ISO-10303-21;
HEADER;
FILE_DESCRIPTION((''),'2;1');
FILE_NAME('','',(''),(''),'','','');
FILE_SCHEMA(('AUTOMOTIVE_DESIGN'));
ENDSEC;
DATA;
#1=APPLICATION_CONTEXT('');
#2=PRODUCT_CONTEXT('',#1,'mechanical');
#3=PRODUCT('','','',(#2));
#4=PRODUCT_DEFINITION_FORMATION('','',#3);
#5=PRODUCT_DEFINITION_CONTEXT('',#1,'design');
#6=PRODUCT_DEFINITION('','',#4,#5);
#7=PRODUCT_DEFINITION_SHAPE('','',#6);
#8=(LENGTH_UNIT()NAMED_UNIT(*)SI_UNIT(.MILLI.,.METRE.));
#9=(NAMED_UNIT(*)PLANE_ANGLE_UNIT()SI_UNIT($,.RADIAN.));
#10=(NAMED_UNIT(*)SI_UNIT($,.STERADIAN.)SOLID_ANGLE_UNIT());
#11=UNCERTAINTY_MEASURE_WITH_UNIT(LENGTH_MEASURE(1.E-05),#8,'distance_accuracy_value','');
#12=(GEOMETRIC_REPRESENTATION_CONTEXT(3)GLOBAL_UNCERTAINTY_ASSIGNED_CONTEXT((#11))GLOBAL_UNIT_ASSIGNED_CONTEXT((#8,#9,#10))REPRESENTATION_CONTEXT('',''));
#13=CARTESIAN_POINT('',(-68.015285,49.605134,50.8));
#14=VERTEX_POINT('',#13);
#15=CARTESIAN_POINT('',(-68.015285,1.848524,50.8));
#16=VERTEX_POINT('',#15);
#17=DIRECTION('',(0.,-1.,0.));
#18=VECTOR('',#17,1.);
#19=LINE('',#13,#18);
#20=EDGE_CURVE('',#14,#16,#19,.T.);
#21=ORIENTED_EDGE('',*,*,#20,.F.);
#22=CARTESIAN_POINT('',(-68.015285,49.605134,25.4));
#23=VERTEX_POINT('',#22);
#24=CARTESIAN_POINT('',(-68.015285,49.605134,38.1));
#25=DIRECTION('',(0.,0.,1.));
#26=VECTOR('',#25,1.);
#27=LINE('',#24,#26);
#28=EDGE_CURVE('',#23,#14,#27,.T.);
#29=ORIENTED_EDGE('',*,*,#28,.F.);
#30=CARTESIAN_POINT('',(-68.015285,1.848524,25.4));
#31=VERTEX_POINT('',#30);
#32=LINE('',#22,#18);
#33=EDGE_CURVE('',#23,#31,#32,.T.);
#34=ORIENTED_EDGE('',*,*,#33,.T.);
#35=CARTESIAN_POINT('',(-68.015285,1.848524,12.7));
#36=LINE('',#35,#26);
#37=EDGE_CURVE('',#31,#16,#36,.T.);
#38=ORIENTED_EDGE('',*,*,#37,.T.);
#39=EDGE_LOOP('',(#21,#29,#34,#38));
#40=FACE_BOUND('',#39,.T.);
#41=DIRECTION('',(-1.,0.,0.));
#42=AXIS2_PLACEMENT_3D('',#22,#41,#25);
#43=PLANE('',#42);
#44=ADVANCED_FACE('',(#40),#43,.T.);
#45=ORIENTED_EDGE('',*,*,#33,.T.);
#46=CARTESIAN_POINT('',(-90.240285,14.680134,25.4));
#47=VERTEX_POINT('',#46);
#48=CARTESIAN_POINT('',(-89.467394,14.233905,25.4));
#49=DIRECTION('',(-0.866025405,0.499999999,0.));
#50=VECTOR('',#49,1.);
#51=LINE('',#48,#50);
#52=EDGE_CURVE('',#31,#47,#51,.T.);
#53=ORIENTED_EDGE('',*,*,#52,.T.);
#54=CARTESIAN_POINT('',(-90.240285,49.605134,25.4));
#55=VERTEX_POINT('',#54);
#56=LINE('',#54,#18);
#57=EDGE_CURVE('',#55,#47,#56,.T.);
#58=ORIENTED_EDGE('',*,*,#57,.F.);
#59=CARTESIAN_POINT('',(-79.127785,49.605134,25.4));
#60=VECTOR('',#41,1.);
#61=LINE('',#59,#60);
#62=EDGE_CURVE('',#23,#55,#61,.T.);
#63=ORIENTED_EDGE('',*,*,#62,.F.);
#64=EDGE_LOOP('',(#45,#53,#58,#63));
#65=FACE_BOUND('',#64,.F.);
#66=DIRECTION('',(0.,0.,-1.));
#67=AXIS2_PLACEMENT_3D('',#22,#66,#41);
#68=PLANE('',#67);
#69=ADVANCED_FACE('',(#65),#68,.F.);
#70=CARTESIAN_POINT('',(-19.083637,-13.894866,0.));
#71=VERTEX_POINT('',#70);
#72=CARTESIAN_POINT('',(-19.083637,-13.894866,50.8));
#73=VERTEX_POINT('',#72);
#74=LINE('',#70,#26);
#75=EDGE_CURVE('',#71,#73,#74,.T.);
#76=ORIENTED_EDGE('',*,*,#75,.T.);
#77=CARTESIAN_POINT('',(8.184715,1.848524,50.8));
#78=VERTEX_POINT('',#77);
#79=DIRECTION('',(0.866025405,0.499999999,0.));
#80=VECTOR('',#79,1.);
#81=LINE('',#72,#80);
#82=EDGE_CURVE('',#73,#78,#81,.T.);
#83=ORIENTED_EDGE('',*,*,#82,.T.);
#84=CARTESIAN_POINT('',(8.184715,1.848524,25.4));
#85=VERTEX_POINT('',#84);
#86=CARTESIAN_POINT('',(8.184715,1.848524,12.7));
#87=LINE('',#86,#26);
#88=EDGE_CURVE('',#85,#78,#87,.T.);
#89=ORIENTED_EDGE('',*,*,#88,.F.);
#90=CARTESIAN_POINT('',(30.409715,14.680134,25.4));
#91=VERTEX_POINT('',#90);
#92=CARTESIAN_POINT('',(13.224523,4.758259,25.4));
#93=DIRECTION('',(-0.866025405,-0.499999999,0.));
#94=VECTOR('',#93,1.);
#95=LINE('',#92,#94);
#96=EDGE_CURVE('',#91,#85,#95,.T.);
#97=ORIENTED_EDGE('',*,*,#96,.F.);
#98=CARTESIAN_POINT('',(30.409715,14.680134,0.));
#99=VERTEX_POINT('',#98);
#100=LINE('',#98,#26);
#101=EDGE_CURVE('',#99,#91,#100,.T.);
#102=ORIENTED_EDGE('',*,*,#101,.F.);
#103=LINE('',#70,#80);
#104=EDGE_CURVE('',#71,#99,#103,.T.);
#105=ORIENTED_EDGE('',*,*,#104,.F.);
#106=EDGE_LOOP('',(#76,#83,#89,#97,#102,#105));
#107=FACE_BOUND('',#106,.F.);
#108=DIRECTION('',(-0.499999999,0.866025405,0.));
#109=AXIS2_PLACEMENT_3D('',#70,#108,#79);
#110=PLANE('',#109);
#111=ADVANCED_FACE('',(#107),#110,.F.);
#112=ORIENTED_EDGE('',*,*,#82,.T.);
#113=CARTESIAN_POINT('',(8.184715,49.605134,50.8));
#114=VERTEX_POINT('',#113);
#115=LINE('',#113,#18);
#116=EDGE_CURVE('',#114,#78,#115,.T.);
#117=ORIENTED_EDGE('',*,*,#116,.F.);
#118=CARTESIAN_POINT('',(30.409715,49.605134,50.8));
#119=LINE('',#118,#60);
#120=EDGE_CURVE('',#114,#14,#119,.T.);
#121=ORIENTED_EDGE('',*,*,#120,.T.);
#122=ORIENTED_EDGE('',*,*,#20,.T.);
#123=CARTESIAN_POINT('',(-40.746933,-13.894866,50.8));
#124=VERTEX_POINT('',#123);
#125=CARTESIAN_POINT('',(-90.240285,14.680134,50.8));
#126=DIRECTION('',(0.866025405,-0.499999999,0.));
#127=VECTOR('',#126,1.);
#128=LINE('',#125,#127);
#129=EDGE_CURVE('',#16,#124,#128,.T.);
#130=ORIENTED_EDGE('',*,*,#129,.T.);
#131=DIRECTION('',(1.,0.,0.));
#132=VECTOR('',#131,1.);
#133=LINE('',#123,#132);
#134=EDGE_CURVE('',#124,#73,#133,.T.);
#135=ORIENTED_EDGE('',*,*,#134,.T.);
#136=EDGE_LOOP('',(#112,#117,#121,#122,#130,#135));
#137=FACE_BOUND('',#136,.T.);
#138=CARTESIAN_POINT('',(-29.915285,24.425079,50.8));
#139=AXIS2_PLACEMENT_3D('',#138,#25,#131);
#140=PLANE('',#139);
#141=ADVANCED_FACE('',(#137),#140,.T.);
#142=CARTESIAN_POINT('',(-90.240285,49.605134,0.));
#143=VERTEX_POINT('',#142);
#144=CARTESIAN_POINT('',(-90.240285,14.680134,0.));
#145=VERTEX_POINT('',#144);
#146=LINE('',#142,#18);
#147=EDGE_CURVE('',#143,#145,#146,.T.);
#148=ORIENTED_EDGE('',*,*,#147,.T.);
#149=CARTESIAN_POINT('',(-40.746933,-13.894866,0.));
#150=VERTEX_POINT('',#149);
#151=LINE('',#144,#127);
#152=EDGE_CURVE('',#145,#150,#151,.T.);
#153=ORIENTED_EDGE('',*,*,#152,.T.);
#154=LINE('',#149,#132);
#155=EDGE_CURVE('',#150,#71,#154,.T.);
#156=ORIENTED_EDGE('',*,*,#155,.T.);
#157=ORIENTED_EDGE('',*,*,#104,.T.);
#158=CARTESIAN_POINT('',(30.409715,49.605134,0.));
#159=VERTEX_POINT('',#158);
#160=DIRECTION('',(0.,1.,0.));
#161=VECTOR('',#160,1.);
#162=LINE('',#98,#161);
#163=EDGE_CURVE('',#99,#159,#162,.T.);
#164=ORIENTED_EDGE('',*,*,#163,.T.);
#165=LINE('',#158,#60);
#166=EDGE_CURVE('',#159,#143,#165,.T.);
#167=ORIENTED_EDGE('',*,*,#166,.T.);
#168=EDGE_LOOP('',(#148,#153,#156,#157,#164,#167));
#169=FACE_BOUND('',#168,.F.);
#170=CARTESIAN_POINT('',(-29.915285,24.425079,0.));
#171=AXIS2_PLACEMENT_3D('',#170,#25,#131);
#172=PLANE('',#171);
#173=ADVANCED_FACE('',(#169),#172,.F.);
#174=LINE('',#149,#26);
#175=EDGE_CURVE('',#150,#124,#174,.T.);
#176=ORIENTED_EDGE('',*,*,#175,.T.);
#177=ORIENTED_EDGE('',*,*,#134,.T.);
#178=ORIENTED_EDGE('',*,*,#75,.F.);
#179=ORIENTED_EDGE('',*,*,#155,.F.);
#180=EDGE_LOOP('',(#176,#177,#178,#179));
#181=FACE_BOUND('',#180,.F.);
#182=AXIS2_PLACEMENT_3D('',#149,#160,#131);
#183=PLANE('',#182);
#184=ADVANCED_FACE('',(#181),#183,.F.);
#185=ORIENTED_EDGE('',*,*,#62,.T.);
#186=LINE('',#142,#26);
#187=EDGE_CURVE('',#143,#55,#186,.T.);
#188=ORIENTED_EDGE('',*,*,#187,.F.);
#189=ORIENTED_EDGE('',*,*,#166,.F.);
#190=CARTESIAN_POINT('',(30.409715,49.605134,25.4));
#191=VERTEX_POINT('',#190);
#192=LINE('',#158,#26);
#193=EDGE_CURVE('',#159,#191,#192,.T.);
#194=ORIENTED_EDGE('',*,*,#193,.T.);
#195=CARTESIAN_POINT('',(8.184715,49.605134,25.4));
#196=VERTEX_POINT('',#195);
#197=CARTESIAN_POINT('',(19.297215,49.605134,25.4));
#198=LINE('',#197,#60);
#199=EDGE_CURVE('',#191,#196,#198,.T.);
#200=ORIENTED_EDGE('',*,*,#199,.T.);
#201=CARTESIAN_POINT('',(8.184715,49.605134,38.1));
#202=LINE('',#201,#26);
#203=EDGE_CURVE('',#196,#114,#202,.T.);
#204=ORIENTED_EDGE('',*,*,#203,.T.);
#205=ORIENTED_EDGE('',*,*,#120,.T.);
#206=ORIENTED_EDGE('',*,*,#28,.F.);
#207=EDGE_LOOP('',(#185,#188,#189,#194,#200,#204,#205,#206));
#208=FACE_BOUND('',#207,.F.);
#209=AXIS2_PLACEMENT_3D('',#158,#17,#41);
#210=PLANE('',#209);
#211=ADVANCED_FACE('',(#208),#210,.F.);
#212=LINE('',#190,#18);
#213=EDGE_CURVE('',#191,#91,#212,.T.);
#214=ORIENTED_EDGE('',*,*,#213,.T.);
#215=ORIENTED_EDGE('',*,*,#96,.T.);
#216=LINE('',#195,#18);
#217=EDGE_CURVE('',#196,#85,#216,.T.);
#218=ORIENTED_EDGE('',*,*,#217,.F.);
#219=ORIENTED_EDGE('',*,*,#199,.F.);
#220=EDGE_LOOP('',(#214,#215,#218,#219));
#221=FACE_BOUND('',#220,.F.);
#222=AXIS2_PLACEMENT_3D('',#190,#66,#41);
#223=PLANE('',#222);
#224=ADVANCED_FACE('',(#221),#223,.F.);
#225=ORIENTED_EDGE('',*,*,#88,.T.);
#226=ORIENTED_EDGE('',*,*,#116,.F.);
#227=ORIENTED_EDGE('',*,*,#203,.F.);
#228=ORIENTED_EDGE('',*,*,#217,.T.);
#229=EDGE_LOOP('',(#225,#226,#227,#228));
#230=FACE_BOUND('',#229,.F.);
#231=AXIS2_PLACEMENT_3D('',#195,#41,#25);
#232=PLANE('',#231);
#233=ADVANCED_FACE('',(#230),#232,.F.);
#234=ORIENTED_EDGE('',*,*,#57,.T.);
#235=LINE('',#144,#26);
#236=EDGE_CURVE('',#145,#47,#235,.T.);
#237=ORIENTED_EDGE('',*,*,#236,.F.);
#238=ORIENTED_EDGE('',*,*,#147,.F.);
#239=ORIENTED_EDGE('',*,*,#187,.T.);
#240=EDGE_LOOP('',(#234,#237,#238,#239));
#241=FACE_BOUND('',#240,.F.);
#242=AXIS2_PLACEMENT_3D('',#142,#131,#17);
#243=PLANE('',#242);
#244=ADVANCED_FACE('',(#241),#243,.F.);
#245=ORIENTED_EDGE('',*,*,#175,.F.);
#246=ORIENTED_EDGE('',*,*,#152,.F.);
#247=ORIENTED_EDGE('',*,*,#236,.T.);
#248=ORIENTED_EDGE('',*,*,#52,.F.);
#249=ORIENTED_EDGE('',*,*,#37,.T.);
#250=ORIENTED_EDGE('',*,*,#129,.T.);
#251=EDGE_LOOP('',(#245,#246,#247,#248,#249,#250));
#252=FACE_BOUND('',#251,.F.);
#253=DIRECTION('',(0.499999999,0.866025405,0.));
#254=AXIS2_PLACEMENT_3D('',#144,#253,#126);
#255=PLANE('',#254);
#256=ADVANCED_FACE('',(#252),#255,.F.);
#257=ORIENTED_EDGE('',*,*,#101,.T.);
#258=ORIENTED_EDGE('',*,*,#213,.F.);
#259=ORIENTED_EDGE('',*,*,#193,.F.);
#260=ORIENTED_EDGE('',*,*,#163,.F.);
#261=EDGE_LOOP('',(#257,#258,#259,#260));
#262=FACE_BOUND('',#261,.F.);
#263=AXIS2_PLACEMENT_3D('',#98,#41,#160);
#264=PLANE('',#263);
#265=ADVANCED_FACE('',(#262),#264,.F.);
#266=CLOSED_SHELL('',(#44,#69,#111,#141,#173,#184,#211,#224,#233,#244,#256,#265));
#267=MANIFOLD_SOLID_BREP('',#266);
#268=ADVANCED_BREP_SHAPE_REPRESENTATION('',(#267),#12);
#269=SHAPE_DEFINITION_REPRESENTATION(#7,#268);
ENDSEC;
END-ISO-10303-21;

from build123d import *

# Parameters (mm, degrees)
F1_DEPTH = 50.8
F2_W     = 22.225
F2_H     = 25.4
F3_DEPTH = 50.8


with BuildPart() as f1:
    # F0 (on Top) → F1 (new body)
    with BuildSketch(Plane.XY):
        Polygon((30.409715, 49.605134), (-90.240285, 49.605134), (-90.240285, 14.680134), (-40.746933, -13.894866), (-19.083637, -13.894866), (30.409715, 14.680134), align=None)
    extrude(amount=F1_DEPTH)

    # F2 (on face) → F3 (cut)
    with BuildSketch(Plane(origin=(0, 49.605134, 0), x_dir=(-1, 0, 0), z_dir=(0, 1, 0))):
        with Locations((-19.297215, 38.1)):
            Rectangle(F2_W, F2_H)
        with Locations((79.127785, 38.1)):
            Rectangle(F2_W, F2_H)
    extrude(amount=-F3_DEPTH, mode=Mode.SUBTRACT)


solid = f1.part
